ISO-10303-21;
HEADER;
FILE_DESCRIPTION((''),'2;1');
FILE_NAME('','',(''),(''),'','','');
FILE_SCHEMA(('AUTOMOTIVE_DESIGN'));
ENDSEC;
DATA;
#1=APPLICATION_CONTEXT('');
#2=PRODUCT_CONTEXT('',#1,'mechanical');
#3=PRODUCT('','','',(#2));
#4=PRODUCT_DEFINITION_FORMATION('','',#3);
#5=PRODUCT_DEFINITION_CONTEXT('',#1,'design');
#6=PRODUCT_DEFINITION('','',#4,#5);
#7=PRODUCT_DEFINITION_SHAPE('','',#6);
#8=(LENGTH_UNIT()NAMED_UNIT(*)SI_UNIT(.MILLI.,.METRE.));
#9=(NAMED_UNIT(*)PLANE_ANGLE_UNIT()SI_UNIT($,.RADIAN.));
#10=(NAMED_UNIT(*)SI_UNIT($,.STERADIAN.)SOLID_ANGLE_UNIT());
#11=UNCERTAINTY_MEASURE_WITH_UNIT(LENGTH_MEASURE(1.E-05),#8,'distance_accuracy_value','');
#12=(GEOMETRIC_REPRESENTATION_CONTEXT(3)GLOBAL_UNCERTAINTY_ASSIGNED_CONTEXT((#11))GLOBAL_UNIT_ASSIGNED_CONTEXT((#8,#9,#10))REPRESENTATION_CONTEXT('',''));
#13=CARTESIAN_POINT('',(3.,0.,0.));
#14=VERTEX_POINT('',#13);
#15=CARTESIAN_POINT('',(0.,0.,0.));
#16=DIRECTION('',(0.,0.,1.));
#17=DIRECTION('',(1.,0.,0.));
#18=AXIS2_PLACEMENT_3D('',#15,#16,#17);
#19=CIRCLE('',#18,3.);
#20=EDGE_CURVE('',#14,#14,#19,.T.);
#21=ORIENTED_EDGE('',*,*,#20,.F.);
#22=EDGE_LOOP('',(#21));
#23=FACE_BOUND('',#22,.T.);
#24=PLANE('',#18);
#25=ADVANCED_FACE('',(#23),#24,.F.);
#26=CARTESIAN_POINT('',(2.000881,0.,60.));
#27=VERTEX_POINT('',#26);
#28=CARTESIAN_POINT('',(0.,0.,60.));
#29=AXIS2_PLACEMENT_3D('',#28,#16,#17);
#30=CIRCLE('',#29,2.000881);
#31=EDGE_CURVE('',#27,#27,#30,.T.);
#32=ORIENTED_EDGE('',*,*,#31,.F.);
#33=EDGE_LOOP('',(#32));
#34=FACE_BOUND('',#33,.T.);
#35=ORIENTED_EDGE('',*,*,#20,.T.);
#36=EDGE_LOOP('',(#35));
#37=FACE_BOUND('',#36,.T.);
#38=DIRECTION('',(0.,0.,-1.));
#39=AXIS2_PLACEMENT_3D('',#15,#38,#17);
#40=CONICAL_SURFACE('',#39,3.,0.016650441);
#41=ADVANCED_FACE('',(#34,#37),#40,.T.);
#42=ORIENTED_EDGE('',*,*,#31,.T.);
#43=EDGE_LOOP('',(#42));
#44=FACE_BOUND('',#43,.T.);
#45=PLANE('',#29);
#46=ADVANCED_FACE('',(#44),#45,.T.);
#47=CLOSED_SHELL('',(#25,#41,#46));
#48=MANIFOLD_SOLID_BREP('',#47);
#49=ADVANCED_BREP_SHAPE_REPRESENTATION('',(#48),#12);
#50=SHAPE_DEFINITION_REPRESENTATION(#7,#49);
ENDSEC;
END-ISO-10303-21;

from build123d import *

# Parameters (mm, degrees)
SKETCH1_R           = 3
BOSS_EXTRUDE1_DEPTH = 60
BOSS_EXTRUDE1_TAPER = 0.954


with BuildPart() as part:
    # Sketch1 → Boss-Extrude1 (new body)
    with BuildSketch(Plane.XY):
        Circle(SKETCH1_R)
    extrude(amount=BOSS_EXTRUDE1_DEPTH, taper=BOSS_EXTRUDE1_TAPER)


solid = part.part
